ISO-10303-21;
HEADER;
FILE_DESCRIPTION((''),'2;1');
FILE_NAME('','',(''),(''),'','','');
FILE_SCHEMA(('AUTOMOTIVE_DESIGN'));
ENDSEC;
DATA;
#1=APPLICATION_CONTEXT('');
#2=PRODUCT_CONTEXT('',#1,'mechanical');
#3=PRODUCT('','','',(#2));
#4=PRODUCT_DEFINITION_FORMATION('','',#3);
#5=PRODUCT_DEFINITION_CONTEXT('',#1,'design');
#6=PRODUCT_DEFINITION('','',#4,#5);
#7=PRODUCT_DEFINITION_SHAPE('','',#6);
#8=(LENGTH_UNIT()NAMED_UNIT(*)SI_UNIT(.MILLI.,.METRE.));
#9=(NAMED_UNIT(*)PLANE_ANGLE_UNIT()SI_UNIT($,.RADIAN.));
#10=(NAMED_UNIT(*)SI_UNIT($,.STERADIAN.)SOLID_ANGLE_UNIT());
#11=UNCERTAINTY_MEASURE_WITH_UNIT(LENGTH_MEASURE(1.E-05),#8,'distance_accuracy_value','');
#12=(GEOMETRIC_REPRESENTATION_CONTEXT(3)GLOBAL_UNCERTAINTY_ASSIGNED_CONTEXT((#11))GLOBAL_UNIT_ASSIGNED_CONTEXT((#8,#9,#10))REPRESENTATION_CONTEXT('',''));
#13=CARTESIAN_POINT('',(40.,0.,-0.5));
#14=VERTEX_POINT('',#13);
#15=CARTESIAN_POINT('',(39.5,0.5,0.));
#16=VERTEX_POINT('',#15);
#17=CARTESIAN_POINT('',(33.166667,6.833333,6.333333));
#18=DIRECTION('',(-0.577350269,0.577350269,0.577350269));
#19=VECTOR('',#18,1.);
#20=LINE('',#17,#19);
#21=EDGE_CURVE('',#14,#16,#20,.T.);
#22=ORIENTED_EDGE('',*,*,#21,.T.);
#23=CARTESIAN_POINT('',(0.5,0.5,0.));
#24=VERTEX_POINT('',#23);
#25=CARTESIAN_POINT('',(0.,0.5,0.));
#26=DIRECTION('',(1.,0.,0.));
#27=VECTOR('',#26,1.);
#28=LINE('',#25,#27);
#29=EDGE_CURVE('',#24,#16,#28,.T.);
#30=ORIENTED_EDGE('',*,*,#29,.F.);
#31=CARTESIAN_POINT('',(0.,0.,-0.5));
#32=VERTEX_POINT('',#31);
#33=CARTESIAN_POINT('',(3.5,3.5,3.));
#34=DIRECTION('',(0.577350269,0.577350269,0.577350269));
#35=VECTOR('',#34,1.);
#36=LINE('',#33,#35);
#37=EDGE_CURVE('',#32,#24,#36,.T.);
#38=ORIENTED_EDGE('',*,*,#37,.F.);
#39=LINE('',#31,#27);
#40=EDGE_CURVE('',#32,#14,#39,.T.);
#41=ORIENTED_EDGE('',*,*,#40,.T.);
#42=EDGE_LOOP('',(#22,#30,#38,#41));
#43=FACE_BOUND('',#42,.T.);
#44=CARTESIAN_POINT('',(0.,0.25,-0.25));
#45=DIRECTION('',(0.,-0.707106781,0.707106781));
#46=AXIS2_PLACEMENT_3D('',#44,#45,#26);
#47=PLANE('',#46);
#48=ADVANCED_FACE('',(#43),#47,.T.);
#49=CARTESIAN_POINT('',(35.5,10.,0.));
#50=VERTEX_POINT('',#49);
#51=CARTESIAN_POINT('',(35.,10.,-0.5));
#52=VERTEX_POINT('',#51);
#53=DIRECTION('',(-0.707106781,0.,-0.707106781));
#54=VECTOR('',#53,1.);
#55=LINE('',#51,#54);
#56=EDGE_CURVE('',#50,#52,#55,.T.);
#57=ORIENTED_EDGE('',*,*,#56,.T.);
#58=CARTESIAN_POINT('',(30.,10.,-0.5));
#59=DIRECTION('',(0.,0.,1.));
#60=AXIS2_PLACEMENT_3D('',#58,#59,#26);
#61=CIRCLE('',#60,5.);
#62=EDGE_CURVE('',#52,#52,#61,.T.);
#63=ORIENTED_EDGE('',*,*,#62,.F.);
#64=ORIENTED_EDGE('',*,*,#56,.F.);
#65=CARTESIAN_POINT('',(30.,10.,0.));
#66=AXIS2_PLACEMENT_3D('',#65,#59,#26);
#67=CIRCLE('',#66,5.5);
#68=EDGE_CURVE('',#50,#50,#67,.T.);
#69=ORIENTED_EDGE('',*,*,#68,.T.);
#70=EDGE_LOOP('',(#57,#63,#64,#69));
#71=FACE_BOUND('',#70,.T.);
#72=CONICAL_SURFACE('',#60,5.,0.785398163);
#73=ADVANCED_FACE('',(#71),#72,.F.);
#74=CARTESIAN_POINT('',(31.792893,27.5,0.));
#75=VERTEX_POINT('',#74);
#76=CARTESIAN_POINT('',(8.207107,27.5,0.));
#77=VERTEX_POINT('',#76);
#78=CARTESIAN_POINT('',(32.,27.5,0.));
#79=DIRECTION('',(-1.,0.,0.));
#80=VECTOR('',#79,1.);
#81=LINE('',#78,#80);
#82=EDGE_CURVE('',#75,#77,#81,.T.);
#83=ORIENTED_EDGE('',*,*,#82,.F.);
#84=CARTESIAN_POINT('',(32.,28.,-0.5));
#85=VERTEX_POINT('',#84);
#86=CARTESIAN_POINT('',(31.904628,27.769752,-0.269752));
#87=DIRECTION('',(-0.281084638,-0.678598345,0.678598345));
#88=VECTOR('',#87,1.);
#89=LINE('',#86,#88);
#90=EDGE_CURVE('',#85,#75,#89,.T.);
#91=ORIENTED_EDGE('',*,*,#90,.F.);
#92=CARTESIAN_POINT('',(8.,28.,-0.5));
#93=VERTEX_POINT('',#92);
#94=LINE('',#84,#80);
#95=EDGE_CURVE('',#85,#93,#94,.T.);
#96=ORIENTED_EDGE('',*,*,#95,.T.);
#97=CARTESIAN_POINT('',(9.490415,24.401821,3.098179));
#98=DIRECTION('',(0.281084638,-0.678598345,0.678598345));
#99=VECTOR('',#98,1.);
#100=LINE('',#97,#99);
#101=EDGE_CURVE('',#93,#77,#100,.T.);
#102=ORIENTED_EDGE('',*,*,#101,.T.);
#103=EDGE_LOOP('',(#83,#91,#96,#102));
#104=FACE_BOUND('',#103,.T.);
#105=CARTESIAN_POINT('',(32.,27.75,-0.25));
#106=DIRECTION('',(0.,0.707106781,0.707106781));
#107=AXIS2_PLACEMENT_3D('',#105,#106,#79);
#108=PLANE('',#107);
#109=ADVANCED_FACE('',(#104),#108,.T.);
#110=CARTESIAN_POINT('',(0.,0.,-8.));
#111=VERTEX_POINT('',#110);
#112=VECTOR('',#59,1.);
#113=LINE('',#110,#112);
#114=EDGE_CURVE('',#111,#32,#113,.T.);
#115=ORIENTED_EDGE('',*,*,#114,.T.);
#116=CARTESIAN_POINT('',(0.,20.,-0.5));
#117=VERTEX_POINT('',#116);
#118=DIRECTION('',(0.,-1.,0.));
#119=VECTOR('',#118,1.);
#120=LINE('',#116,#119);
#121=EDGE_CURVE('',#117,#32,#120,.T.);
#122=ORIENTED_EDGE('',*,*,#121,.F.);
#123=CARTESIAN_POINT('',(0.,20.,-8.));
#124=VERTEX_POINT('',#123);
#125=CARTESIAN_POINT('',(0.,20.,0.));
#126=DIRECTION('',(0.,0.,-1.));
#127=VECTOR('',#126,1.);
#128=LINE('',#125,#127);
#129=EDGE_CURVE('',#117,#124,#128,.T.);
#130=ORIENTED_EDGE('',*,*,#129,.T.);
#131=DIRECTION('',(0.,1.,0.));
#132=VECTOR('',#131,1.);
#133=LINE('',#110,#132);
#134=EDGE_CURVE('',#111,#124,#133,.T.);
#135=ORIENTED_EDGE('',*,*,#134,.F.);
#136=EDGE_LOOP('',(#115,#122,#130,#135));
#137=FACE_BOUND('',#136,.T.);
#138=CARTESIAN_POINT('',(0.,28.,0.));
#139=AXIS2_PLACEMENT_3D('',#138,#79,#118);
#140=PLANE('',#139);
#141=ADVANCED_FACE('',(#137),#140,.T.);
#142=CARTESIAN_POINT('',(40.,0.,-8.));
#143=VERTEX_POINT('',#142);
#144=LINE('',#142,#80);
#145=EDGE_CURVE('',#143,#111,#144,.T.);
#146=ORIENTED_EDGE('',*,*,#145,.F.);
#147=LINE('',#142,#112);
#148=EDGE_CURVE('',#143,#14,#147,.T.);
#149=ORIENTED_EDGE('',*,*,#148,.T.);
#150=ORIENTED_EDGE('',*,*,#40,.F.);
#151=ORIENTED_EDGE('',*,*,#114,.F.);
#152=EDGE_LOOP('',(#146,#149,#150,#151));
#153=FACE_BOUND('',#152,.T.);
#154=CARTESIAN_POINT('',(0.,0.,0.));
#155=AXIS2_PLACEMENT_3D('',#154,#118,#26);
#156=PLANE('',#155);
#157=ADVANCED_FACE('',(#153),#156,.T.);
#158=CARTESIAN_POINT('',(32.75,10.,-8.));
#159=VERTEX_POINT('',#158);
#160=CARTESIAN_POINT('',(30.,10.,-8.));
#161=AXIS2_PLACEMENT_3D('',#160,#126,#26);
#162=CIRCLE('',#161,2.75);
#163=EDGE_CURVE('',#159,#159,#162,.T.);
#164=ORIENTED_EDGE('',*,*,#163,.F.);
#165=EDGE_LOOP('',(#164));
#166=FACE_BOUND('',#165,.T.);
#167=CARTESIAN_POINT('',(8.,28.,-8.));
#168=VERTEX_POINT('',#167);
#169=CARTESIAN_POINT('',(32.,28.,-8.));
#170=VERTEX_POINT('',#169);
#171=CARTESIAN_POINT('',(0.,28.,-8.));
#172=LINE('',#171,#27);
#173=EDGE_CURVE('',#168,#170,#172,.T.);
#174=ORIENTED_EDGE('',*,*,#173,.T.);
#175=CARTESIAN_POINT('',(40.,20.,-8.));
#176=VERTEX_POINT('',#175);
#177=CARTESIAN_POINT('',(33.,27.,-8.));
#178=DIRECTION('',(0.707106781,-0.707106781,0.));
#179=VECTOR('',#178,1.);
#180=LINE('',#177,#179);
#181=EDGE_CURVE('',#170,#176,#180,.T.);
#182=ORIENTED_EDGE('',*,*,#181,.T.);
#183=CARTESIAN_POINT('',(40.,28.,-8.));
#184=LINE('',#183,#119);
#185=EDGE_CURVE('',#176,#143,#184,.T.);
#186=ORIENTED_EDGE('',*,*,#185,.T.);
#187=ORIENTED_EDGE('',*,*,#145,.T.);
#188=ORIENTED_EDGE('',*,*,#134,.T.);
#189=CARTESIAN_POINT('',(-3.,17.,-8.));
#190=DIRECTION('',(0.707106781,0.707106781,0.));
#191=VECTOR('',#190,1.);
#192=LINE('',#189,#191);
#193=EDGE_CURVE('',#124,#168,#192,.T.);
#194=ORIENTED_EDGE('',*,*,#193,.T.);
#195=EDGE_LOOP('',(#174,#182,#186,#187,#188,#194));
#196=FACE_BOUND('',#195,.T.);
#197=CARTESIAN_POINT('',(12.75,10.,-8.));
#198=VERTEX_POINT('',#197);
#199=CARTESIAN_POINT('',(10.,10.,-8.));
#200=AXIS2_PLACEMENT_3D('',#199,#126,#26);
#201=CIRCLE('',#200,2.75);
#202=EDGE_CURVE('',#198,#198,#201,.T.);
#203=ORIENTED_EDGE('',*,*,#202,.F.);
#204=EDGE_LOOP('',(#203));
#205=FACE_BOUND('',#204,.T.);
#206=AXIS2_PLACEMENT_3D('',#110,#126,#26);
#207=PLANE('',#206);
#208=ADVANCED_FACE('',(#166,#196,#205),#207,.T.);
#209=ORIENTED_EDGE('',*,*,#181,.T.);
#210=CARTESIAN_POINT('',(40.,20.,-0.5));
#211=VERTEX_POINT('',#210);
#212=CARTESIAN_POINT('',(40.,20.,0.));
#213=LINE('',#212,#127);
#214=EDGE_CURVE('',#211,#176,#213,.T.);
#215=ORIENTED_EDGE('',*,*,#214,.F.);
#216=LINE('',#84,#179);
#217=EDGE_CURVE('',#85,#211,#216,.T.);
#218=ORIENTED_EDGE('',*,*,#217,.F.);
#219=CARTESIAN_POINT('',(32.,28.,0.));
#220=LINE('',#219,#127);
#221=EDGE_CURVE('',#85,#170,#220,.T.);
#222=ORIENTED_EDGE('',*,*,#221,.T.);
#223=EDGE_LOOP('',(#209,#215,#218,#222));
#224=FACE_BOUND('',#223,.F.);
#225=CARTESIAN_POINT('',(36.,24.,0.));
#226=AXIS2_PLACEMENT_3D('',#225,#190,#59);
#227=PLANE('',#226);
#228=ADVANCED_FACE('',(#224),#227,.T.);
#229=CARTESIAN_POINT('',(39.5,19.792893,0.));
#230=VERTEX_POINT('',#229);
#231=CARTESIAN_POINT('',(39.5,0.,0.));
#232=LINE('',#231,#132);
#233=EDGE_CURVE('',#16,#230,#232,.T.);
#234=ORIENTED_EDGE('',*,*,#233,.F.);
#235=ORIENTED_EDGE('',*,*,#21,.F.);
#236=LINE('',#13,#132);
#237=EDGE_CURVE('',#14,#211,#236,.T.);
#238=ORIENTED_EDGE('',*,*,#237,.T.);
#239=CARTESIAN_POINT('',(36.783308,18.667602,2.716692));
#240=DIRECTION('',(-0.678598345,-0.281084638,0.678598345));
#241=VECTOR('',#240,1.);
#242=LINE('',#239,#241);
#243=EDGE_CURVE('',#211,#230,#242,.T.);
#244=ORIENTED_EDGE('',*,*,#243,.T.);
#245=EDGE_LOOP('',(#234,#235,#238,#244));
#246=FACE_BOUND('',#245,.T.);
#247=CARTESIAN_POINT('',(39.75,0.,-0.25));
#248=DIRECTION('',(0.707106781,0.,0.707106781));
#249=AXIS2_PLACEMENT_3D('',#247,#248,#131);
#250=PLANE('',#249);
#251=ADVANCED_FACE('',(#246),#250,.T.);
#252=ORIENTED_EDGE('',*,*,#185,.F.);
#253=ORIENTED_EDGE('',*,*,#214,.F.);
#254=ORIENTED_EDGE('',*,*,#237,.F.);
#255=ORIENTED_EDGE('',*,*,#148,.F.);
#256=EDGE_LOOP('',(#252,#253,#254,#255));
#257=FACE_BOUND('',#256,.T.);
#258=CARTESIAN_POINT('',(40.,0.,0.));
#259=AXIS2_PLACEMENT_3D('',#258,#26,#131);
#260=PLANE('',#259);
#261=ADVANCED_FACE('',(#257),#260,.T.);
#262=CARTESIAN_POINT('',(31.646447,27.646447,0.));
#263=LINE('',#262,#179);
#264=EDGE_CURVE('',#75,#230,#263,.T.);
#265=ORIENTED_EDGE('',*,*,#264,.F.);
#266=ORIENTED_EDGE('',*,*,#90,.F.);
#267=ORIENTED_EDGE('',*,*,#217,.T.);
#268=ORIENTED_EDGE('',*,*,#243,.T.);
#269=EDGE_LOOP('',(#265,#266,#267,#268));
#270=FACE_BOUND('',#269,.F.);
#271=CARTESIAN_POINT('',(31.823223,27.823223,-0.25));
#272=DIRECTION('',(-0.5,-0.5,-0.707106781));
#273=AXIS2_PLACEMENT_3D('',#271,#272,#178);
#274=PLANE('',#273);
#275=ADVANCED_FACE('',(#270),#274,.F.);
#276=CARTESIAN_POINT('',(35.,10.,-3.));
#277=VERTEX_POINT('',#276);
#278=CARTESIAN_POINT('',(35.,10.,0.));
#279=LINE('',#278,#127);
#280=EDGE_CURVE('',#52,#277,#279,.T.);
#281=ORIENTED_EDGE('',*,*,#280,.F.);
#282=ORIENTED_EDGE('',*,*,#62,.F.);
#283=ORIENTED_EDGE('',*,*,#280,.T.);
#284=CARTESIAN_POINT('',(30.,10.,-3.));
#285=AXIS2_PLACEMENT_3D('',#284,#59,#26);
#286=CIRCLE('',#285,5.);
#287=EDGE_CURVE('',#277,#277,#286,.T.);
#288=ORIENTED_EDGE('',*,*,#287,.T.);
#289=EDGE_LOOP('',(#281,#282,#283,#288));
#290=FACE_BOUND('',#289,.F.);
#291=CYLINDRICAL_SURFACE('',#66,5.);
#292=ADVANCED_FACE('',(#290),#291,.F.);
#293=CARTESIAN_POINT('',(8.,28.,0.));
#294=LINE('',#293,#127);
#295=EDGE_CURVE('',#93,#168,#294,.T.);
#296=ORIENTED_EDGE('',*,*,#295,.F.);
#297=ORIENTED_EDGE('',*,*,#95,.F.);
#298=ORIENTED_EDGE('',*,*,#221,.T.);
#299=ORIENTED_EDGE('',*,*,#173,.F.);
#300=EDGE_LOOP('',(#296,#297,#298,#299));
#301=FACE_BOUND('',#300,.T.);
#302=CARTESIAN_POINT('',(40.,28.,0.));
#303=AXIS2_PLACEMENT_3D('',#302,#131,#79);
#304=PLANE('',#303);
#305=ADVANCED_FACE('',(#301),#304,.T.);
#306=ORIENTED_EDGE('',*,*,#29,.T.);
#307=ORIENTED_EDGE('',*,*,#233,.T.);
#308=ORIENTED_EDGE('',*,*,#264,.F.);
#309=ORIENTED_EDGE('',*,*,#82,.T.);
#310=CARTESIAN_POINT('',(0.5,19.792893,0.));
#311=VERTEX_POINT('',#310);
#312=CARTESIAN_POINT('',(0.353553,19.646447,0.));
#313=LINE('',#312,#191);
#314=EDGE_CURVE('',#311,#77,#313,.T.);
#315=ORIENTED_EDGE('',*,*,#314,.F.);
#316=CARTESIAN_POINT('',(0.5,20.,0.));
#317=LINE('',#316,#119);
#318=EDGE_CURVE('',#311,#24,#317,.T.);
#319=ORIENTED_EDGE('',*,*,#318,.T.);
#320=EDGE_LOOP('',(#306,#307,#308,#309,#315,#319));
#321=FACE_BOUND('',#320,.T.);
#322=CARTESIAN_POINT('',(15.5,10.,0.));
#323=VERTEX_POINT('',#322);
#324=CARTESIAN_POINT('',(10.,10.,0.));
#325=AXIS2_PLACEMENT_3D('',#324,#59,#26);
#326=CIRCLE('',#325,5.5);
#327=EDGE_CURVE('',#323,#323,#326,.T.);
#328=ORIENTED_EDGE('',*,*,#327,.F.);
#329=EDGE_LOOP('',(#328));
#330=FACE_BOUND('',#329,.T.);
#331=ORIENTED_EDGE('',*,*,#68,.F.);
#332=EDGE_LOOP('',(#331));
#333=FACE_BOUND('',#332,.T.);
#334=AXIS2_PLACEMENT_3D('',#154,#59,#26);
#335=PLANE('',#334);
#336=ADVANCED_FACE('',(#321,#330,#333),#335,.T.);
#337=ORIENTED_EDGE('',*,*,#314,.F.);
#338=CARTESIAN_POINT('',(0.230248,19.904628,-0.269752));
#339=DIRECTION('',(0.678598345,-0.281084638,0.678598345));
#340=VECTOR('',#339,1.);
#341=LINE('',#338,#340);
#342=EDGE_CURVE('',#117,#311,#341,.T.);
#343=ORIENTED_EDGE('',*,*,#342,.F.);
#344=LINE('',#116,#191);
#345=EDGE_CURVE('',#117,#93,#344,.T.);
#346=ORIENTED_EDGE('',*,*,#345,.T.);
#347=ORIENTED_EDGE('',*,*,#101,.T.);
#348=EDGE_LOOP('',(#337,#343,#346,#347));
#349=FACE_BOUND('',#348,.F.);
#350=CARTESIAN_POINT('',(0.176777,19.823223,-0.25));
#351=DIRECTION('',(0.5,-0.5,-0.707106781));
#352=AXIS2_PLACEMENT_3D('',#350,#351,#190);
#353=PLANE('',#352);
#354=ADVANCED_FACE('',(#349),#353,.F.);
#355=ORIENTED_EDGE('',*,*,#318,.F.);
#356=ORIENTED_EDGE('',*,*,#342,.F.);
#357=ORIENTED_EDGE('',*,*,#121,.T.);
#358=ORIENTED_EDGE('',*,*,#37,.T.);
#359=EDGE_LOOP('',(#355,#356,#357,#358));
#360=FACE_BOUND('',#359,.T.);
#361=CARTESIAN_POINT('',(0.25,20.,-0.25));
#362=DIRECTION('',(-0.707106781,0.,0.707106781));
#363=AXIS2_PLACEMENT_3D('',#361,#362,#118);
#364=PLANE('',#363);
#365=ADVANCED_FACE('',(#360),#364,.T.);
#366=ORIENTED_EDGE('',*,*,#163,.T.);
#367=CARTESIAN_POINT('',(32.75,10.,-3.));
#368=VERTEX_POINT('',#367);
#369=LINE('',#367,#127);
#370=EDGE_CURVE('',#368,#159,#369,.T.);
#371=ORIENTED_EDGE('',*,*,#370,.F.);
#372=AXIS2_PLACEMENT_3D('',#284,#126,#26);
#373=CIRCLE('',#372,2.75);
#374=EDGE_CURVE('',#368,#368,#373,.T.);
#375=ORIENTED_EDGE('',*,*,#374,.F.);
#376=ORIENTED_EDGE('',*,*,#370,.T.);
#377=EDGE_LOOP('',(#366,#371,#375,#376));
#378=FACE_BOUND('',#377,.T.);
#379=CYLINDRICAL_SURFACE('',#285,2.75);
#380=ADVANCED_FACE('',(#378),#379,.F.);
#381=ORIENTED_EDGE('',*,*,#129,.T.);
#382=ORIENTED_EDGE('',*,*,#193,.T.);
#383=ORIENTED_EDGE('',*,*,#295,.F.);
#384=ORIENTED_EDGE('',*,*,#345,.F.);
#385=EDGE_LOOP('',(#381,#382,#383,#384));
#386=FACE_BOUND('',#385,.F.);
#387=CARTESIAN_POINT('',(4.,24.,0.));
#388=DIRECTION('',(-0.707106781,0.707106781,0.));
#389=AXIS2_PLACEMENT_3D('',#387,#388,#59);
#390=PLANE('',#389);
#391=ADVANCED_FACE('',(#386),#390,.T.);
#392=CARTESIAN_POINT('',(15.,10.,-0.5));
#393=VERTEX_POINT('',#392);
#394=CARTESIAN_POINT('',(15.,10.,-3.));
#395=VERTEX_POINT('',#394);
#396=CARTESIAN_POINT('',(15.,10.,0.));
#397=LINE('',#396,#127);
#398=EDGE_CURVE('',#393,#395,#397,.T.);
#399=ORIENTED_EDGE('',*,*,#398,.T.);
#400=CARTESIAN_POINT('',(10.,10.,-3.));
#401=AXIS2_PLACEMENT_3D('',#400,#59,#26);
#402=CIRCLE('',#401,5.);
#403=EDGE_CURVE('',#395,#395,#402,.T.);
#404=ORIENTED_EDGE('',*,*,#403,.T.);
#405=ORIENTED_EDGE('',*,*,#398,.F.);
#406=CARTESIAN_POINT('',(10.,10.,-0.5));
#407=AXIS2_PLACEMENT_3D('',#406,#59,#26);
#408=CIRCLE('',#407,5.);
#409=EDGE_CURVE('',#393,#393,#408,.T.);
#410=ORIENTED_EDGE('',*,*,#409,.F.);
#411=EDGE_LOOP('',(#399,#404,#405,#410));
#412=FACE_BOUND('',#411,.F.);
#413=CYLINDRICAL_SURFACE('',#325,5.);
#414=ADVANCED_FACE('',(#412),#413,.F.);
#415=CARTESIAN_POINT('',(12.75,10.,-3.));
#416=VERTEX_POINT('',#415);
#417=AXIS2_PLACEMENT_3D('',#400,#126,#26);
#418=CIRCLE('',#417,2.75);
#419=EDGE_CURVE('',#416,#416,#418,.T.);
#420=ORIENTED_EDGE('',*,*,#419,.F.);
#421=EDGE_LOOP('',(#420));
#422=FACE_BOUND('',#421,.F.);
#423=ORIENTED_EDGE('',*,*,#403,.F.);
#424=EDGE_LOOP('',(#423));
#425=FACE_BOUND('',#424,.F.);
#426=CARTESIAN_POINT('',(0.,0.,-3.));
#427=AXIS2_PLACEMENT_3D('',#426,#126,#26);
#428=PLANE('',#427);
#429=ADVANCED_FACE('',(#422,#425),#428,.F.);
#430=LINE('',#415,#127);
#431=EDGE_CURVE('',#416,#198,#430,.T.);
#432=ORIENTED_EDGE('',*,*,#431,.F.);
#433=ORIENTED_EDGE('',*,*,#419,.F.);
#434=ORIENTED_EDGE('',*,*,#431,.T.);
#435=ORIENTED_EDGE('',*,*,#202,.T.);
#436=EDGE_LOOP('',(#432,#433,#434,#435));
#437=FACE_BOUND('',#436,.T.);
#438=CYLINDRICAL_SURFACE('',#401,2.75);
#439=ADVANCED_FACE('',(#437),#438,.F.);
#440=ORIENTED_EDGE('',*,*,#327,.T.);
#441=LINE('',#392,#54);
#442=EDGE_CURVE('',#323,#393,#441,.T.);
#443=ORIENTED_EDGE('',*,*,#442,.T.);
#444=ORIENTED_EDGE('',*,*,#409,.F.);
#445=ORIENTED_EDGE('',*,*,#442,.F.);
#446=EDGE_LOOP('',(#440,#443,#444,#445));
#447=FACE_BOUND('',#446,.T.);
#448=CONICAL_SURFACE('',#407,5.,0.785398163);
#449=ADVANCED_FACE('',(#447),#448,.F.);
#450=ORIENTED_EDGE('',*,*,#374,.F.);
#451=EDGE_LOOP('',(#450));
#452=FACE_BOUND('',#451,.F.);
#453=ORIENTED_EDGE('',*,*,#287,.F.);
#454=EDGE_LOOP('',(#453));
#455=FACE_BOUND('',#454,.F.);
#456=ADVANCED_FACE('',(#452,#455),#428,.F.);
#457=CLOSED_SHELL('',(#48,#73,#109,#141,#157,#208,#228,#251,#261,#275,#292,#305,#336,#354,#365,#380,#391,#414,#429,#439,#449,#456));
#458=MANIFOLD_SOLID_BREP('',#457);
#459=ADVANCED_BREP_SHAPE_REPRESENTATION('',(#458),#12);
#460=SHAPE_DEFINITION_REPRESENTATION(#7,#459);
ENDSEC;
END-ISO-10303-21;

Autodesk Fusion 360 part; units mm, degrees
sketch "Sketch1" plane through (0, 0, 0) normal (0, 0, 1) x (1, 0, 0)
  line L0 (0, 0) -> (40, 0)
  line L1 (40, 0) -> (40, 28)
  line L2 (40, 28) -> (0, 28)
  line L3 (0, 28) -> (0, 0)
  line L4 (0, 0) -> (40, 0) construction
  line L5 (40, 0) -> (40, 20) construction
  line L6 (40, 20) -> (0, 20) construction
  line L7 (0, 20) -> (0, 0) construction
  line L8 (0, 20) -> (20, 20) construction
  line L9 (20, 20) -> (20, 0) construction
  line L10 (20, 0) -> (0, 0) construction
  line L11 (0, 0) -> (0, 20) construction
  line L12 (0, 0) -> (20, 20) construction
  line L13 (0, 20) -> (20, 0) construction
  line L14 (20, 20) -> (40, 0) construction
  line L15 (20, 0) -> (40, 20) construction
  circle A0 centre (10, 10) radius 5
  circle A1 centre (30, 10) radius 5
  dimension "d1" = 40
  dimension "d2" = 28
  dimension "d3" = 20
  dimension "d4" = 10
  dimension "d5" = 10
extrude "Extrude1" add sketch "Sketch1" against normal blind 3
sketch "Sketch2" plane through (0, 0, -3) normal (0, 0, -1) x (1, 0, 0)
  circle A0 centre (10, -10) radius 5
  circle A1 centre (30, -10) radius 5
  line L0 (0, 0) -> (0, -28)
  line L1 (0, -28) -> (40, -28)
  line L2 (40, -28) -> (40, 0)
  line L3 (40, 0) -> (0, 0)
  circle A2 centre (30, -10) radius 2.75
  circle A3 centre (10, -10) radius 2.75
  dimension "d8" = 5.5
  dimension "d9" = 5.5
extrude "Extrude2" add sketch "Sketch2" along normal blind 5 contours A0 | A1 | L0 L1 L2 L3
chamfer "Chamfer1" distance 8 angle 45 1 edges at (0, 28, -4)
chamfer "Chamfer2" distance 8 angle 45 1 edges at (40, 28, -4)
chamfer "Chamfer3" distance 0.5 angle 45 8 edges at (4, 24, 0) (0, 10, 0) (20, 0, 0) (40, 10, 0) (36, 24, 0) (20, 28, 0) (5.3384, 11.8081, 0) (25.3384, 11.8081, 0)
